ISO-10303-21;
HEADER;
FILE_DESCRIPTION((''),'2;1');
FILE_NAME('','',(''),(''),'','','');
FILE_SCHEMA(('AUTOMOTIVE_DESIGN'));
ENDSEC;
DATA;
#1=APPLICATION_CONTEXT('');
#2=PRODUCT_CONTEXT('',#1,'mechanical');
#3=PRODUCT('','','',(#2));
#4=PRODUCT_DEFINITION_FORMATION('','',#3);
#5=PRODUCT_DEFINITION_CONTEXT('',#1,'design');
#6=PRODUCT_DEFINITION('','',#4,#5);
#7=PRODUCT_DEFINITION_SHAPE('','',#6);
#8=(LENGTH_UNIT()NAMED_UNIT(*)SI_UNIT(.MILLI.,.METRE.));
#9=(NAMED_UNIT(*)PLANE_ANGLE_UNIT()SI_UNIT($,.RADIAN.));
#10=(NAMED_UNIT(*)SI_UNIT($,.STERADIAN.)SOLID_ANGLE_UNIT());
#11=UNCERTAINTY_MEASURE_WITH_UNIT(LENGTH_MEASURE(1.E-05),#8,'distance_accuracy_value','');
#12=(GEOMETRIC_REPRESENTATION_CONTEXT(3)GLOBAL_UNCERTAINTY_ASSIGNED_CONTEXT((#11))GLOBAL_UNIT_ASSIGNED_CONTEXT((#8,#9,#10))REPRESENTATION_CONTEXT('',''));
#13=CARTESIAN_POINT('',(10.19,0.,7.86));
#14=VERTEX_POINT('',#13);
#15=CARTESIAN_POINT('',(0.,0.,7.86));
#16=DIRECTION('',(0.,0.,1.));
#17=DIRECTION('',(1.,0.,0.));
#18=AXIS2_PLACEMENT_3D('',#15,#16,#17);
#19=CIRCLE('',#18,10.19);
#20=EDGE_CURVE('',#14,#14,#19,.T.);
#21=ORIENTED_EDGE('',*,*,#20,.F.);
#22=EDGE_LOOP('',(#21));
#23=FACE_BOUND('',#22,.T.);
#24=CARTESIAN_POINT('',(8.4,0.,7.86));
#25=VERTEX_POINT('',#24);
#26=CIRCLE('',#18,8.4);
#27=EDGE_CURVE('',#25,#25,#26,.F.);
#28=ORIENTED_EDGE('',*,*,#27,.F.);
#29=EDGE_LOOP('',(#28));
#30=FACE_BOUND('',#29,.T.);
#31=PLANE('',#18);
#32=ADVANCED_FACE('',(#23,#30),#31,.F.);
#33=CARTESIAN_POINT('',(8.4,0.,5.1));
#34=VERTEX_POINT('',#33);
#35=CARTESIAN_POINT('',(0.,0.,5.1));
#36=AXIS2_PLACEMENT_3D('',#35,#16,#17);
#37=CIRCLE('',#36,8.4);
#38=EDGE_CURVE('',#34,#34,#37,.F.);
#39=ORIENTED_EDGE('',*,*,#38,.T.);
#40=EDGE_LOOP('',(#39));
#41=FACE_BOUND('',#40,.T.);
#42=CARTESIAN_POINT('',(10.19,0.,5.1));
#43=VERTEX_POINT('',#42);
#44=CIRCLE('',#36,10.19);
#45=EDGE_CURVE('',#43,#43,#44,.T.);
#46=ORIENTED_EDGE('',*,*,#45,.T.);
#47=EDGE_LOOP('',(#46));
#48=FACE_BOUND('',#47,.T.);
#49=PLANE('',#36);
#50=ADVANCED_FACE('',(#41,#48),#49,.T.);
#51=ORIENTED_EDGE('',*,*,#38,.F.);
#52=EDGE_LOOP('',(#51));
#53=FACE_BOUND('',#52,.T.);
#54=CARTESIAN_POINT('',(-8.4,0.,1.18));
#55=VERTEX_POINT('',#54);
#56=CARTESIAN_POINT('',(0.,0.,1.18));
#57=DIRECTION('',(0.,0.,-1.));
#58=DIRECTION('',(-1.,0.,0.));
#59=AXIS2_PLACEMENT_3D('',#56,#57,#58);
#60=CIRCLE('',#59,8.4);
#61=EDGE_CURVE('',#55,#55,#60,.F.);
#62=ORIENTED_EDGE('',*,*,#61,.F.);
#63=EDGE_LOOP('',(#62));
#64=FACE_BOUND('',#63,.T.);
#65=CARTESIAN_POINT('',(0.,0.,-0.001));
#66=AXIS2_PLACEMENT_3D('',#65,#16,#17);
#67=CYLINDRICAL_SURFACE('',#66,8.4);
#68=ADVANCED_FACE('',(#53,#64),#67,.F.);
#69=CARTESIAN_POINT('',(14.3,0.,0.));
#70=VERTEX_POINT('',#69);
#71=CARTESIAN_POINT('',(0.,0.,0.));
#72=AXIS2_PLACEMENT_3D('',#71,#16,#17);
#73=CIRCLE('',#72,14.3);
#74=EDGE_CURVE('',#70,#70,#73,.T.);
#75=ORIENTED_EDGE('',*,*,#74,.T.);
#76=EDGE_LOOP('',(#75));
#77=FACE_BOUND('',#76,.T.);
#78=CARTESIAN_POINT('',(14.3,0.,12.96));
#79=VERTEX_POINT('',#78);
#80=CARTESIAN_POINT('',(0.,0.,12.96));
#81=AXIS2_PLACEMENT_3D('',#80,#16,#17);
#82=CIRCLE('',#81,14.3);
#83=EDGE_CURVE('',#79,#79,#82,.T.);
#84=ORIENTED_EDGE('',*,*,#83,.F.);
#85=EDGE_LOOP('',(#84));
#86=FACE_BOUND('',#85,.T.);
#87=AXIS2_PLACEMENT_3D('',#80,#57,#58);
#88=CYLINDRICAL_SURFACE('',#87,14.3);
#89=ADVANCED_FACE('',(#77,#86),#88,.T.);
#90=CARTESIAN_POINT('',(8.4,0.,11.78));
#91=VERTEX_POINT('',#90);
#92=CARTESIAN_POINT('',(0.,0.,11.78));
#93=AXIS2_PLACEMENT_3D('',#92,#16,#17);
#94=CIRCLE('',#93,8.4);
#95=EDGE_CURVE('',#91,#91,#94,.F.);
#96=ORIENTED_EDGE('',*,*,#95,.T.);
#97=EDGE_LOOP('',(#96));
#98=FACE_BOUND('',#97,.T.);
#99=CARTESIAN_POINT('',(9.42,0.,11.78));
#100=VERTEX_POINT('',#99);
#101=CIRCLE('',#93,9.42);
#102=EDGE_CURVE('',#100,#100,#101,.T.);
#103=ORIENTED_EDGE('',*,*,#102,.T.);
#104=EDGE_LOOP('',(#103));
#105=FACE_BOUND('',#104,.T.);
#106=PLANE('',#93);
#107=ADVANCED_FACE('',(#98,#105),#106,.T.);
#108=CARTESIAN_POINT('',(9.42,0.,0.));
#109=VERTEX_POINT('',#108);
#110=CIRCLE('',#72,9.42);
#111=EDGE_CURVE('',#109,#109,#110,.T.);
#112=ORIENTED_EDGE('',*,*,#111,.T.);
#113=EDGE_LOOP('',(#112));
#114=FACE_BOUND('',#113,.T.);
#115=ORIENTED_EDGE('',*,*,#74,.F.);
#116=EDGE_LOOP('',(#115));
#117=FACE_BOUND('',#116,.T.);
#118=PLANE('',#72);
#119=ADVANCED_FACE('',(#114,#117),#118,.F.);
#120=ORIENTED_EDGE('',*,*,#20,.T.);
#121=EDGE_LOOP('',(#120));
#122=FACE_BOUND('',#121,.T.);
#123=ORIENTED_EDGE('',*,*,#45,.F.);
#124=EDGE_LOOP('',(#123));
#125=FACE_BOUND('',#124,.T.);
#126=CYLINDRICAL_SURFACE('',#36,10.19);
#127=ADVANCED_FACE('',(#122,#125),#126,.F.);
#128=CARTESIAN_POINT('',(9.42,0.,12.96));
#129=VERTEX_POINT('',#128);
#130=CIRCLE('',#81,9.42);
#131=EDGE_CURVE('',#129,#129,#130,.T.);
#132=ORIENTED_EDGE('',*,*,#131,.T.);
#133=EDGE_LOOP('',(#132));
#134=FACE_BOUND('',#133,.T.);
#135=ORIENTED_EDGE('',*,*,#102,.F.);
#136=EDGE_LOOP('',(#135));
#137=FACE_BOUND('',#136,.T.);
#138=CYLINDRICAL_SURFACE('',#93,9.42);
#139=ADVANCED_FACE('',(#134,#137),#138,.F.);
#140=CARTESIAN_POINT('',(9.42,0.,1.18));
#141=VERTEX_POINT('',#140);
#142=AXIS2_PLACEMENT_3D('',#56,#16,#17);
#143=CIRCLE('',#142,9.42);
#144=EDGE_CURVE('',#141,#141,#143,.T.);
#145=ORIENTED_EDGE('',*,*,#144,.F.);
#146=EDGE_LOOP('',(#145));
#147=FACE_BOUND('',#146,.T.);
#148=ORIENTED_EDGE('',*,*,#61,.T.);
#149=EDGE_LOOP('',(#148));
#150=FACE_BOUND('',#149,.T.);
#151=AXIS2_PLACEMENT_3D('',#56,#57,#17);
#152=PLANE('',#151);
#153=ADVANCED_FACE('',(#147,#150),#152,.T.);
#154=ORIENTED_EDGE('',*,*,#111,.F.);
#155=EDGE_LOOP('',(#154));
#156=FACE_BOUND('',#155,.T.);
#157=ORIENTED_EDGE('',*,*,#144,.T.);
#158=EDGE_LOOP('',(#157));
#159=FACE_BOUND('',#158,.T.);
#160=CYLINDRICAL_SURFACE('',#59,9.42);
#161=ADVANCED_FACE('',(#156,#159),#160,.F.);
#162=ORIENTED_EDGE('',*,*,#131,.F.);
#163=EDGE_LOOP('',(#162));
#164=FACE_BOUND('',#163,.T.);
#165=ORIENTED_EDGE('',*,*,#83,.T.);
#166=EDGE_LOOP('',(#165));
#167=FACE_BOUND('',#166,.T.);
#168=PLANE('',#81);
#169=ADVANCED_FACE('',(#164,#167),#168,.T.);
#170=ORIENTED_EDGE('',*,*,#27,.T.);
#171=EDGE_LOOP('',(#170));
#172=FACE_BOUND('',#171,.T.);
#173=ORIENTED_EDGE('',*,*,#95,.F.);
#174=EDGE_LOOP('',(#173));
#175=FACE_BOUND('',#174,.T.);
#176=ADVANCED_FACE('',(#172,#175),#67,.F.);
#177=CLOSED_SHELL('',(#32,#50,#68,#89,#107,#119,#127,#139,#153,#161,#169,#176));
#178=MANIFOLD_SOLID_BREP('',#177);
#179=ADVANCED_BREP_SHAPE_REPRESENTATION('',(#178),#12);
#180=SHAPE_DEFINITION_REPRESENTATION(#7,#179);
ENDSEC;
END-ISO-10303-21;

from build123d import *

# Parameters (mm, degrees)
SZKIC1_R                    = 14.3
DODANIE_WYCI_GNI_CIE1_DEPTH = 12.96
WYTNIJ_WYCI_GNI_CIE1_REACH  = 14.96
SZKIC2_R                    = 8.4
SZKIC3_R                    = 9.42
WYTNIJ_WYCI_GNI_CIE2_DEPTH  = 1.18
SZKIC5_R                    = 10.19
WYTNIJ_WYCI_GNI_CIE3_DEPTH  = 1.38


with BuildPart() as part:
    # Szkic1 → Dodanie-wyciągnięcie1 (new body)
    with BuildSketch(Plane.XY):
        Circle(SZKIC1_R)
    extrude(amount=DODANIE_WYCI_GNI_CIE1_DEPTH)

    # Szkic2 → Wytnij-wyciągnięcie1 (cut, up to next)
    with BuildSketch(Plane.XY.offset(12.96), mode=Mode.PRIVATE) as wytnij_wyci_gni_cie1_sk1:
        Circle(SZKIC2_R)
    wytnij_wyci_gni_cie1_tool1 = extrude(wytnij_wyci_gni_cie1_sk1.sketch, amount=-WYTNIJ_WYCI_GNI_CIE1_REACH, mode=Mode.PRIVATE) & part.part
    add(wytnij_wyci_gni_cie1_tool1.solids().sort_by_distance((0, 0, 12.96))[0], mode=Mode.SUBTRACT)

    # Szkic3 → Wytnij-wyciągnięcie2 (cut)
    with BuildSketch(Plane.XY.offset(12.96)):
        Circle(SZKIC3_R)
    wytnij_wyci_gni_cie2 = extrude(amount=-WYTNIJ_WYCI_GNI_CIE2_DEPTH, mode=Mode.SUBTRACT)

    # Lustro1: Wytnij-wyciągnięcie2 across plane
    add(wytnij_wyci_gni_cie2.mirror(Plane.XY.offset(6.48)), mode=Mode.SUBTRACT)

    # Szkic5 → Wytnij-wyciągnięcie3 (cut, symmetric)
    with BuildSketch(Plane.XY.offset(6.48)):
        Circle(SZKIC5_R)
    extrude(amount=WYTNIJ_WYCI_GNI_CIE3_DEPTH, both=True, mode=Mode.SUBTRACT)


solid = part.part
